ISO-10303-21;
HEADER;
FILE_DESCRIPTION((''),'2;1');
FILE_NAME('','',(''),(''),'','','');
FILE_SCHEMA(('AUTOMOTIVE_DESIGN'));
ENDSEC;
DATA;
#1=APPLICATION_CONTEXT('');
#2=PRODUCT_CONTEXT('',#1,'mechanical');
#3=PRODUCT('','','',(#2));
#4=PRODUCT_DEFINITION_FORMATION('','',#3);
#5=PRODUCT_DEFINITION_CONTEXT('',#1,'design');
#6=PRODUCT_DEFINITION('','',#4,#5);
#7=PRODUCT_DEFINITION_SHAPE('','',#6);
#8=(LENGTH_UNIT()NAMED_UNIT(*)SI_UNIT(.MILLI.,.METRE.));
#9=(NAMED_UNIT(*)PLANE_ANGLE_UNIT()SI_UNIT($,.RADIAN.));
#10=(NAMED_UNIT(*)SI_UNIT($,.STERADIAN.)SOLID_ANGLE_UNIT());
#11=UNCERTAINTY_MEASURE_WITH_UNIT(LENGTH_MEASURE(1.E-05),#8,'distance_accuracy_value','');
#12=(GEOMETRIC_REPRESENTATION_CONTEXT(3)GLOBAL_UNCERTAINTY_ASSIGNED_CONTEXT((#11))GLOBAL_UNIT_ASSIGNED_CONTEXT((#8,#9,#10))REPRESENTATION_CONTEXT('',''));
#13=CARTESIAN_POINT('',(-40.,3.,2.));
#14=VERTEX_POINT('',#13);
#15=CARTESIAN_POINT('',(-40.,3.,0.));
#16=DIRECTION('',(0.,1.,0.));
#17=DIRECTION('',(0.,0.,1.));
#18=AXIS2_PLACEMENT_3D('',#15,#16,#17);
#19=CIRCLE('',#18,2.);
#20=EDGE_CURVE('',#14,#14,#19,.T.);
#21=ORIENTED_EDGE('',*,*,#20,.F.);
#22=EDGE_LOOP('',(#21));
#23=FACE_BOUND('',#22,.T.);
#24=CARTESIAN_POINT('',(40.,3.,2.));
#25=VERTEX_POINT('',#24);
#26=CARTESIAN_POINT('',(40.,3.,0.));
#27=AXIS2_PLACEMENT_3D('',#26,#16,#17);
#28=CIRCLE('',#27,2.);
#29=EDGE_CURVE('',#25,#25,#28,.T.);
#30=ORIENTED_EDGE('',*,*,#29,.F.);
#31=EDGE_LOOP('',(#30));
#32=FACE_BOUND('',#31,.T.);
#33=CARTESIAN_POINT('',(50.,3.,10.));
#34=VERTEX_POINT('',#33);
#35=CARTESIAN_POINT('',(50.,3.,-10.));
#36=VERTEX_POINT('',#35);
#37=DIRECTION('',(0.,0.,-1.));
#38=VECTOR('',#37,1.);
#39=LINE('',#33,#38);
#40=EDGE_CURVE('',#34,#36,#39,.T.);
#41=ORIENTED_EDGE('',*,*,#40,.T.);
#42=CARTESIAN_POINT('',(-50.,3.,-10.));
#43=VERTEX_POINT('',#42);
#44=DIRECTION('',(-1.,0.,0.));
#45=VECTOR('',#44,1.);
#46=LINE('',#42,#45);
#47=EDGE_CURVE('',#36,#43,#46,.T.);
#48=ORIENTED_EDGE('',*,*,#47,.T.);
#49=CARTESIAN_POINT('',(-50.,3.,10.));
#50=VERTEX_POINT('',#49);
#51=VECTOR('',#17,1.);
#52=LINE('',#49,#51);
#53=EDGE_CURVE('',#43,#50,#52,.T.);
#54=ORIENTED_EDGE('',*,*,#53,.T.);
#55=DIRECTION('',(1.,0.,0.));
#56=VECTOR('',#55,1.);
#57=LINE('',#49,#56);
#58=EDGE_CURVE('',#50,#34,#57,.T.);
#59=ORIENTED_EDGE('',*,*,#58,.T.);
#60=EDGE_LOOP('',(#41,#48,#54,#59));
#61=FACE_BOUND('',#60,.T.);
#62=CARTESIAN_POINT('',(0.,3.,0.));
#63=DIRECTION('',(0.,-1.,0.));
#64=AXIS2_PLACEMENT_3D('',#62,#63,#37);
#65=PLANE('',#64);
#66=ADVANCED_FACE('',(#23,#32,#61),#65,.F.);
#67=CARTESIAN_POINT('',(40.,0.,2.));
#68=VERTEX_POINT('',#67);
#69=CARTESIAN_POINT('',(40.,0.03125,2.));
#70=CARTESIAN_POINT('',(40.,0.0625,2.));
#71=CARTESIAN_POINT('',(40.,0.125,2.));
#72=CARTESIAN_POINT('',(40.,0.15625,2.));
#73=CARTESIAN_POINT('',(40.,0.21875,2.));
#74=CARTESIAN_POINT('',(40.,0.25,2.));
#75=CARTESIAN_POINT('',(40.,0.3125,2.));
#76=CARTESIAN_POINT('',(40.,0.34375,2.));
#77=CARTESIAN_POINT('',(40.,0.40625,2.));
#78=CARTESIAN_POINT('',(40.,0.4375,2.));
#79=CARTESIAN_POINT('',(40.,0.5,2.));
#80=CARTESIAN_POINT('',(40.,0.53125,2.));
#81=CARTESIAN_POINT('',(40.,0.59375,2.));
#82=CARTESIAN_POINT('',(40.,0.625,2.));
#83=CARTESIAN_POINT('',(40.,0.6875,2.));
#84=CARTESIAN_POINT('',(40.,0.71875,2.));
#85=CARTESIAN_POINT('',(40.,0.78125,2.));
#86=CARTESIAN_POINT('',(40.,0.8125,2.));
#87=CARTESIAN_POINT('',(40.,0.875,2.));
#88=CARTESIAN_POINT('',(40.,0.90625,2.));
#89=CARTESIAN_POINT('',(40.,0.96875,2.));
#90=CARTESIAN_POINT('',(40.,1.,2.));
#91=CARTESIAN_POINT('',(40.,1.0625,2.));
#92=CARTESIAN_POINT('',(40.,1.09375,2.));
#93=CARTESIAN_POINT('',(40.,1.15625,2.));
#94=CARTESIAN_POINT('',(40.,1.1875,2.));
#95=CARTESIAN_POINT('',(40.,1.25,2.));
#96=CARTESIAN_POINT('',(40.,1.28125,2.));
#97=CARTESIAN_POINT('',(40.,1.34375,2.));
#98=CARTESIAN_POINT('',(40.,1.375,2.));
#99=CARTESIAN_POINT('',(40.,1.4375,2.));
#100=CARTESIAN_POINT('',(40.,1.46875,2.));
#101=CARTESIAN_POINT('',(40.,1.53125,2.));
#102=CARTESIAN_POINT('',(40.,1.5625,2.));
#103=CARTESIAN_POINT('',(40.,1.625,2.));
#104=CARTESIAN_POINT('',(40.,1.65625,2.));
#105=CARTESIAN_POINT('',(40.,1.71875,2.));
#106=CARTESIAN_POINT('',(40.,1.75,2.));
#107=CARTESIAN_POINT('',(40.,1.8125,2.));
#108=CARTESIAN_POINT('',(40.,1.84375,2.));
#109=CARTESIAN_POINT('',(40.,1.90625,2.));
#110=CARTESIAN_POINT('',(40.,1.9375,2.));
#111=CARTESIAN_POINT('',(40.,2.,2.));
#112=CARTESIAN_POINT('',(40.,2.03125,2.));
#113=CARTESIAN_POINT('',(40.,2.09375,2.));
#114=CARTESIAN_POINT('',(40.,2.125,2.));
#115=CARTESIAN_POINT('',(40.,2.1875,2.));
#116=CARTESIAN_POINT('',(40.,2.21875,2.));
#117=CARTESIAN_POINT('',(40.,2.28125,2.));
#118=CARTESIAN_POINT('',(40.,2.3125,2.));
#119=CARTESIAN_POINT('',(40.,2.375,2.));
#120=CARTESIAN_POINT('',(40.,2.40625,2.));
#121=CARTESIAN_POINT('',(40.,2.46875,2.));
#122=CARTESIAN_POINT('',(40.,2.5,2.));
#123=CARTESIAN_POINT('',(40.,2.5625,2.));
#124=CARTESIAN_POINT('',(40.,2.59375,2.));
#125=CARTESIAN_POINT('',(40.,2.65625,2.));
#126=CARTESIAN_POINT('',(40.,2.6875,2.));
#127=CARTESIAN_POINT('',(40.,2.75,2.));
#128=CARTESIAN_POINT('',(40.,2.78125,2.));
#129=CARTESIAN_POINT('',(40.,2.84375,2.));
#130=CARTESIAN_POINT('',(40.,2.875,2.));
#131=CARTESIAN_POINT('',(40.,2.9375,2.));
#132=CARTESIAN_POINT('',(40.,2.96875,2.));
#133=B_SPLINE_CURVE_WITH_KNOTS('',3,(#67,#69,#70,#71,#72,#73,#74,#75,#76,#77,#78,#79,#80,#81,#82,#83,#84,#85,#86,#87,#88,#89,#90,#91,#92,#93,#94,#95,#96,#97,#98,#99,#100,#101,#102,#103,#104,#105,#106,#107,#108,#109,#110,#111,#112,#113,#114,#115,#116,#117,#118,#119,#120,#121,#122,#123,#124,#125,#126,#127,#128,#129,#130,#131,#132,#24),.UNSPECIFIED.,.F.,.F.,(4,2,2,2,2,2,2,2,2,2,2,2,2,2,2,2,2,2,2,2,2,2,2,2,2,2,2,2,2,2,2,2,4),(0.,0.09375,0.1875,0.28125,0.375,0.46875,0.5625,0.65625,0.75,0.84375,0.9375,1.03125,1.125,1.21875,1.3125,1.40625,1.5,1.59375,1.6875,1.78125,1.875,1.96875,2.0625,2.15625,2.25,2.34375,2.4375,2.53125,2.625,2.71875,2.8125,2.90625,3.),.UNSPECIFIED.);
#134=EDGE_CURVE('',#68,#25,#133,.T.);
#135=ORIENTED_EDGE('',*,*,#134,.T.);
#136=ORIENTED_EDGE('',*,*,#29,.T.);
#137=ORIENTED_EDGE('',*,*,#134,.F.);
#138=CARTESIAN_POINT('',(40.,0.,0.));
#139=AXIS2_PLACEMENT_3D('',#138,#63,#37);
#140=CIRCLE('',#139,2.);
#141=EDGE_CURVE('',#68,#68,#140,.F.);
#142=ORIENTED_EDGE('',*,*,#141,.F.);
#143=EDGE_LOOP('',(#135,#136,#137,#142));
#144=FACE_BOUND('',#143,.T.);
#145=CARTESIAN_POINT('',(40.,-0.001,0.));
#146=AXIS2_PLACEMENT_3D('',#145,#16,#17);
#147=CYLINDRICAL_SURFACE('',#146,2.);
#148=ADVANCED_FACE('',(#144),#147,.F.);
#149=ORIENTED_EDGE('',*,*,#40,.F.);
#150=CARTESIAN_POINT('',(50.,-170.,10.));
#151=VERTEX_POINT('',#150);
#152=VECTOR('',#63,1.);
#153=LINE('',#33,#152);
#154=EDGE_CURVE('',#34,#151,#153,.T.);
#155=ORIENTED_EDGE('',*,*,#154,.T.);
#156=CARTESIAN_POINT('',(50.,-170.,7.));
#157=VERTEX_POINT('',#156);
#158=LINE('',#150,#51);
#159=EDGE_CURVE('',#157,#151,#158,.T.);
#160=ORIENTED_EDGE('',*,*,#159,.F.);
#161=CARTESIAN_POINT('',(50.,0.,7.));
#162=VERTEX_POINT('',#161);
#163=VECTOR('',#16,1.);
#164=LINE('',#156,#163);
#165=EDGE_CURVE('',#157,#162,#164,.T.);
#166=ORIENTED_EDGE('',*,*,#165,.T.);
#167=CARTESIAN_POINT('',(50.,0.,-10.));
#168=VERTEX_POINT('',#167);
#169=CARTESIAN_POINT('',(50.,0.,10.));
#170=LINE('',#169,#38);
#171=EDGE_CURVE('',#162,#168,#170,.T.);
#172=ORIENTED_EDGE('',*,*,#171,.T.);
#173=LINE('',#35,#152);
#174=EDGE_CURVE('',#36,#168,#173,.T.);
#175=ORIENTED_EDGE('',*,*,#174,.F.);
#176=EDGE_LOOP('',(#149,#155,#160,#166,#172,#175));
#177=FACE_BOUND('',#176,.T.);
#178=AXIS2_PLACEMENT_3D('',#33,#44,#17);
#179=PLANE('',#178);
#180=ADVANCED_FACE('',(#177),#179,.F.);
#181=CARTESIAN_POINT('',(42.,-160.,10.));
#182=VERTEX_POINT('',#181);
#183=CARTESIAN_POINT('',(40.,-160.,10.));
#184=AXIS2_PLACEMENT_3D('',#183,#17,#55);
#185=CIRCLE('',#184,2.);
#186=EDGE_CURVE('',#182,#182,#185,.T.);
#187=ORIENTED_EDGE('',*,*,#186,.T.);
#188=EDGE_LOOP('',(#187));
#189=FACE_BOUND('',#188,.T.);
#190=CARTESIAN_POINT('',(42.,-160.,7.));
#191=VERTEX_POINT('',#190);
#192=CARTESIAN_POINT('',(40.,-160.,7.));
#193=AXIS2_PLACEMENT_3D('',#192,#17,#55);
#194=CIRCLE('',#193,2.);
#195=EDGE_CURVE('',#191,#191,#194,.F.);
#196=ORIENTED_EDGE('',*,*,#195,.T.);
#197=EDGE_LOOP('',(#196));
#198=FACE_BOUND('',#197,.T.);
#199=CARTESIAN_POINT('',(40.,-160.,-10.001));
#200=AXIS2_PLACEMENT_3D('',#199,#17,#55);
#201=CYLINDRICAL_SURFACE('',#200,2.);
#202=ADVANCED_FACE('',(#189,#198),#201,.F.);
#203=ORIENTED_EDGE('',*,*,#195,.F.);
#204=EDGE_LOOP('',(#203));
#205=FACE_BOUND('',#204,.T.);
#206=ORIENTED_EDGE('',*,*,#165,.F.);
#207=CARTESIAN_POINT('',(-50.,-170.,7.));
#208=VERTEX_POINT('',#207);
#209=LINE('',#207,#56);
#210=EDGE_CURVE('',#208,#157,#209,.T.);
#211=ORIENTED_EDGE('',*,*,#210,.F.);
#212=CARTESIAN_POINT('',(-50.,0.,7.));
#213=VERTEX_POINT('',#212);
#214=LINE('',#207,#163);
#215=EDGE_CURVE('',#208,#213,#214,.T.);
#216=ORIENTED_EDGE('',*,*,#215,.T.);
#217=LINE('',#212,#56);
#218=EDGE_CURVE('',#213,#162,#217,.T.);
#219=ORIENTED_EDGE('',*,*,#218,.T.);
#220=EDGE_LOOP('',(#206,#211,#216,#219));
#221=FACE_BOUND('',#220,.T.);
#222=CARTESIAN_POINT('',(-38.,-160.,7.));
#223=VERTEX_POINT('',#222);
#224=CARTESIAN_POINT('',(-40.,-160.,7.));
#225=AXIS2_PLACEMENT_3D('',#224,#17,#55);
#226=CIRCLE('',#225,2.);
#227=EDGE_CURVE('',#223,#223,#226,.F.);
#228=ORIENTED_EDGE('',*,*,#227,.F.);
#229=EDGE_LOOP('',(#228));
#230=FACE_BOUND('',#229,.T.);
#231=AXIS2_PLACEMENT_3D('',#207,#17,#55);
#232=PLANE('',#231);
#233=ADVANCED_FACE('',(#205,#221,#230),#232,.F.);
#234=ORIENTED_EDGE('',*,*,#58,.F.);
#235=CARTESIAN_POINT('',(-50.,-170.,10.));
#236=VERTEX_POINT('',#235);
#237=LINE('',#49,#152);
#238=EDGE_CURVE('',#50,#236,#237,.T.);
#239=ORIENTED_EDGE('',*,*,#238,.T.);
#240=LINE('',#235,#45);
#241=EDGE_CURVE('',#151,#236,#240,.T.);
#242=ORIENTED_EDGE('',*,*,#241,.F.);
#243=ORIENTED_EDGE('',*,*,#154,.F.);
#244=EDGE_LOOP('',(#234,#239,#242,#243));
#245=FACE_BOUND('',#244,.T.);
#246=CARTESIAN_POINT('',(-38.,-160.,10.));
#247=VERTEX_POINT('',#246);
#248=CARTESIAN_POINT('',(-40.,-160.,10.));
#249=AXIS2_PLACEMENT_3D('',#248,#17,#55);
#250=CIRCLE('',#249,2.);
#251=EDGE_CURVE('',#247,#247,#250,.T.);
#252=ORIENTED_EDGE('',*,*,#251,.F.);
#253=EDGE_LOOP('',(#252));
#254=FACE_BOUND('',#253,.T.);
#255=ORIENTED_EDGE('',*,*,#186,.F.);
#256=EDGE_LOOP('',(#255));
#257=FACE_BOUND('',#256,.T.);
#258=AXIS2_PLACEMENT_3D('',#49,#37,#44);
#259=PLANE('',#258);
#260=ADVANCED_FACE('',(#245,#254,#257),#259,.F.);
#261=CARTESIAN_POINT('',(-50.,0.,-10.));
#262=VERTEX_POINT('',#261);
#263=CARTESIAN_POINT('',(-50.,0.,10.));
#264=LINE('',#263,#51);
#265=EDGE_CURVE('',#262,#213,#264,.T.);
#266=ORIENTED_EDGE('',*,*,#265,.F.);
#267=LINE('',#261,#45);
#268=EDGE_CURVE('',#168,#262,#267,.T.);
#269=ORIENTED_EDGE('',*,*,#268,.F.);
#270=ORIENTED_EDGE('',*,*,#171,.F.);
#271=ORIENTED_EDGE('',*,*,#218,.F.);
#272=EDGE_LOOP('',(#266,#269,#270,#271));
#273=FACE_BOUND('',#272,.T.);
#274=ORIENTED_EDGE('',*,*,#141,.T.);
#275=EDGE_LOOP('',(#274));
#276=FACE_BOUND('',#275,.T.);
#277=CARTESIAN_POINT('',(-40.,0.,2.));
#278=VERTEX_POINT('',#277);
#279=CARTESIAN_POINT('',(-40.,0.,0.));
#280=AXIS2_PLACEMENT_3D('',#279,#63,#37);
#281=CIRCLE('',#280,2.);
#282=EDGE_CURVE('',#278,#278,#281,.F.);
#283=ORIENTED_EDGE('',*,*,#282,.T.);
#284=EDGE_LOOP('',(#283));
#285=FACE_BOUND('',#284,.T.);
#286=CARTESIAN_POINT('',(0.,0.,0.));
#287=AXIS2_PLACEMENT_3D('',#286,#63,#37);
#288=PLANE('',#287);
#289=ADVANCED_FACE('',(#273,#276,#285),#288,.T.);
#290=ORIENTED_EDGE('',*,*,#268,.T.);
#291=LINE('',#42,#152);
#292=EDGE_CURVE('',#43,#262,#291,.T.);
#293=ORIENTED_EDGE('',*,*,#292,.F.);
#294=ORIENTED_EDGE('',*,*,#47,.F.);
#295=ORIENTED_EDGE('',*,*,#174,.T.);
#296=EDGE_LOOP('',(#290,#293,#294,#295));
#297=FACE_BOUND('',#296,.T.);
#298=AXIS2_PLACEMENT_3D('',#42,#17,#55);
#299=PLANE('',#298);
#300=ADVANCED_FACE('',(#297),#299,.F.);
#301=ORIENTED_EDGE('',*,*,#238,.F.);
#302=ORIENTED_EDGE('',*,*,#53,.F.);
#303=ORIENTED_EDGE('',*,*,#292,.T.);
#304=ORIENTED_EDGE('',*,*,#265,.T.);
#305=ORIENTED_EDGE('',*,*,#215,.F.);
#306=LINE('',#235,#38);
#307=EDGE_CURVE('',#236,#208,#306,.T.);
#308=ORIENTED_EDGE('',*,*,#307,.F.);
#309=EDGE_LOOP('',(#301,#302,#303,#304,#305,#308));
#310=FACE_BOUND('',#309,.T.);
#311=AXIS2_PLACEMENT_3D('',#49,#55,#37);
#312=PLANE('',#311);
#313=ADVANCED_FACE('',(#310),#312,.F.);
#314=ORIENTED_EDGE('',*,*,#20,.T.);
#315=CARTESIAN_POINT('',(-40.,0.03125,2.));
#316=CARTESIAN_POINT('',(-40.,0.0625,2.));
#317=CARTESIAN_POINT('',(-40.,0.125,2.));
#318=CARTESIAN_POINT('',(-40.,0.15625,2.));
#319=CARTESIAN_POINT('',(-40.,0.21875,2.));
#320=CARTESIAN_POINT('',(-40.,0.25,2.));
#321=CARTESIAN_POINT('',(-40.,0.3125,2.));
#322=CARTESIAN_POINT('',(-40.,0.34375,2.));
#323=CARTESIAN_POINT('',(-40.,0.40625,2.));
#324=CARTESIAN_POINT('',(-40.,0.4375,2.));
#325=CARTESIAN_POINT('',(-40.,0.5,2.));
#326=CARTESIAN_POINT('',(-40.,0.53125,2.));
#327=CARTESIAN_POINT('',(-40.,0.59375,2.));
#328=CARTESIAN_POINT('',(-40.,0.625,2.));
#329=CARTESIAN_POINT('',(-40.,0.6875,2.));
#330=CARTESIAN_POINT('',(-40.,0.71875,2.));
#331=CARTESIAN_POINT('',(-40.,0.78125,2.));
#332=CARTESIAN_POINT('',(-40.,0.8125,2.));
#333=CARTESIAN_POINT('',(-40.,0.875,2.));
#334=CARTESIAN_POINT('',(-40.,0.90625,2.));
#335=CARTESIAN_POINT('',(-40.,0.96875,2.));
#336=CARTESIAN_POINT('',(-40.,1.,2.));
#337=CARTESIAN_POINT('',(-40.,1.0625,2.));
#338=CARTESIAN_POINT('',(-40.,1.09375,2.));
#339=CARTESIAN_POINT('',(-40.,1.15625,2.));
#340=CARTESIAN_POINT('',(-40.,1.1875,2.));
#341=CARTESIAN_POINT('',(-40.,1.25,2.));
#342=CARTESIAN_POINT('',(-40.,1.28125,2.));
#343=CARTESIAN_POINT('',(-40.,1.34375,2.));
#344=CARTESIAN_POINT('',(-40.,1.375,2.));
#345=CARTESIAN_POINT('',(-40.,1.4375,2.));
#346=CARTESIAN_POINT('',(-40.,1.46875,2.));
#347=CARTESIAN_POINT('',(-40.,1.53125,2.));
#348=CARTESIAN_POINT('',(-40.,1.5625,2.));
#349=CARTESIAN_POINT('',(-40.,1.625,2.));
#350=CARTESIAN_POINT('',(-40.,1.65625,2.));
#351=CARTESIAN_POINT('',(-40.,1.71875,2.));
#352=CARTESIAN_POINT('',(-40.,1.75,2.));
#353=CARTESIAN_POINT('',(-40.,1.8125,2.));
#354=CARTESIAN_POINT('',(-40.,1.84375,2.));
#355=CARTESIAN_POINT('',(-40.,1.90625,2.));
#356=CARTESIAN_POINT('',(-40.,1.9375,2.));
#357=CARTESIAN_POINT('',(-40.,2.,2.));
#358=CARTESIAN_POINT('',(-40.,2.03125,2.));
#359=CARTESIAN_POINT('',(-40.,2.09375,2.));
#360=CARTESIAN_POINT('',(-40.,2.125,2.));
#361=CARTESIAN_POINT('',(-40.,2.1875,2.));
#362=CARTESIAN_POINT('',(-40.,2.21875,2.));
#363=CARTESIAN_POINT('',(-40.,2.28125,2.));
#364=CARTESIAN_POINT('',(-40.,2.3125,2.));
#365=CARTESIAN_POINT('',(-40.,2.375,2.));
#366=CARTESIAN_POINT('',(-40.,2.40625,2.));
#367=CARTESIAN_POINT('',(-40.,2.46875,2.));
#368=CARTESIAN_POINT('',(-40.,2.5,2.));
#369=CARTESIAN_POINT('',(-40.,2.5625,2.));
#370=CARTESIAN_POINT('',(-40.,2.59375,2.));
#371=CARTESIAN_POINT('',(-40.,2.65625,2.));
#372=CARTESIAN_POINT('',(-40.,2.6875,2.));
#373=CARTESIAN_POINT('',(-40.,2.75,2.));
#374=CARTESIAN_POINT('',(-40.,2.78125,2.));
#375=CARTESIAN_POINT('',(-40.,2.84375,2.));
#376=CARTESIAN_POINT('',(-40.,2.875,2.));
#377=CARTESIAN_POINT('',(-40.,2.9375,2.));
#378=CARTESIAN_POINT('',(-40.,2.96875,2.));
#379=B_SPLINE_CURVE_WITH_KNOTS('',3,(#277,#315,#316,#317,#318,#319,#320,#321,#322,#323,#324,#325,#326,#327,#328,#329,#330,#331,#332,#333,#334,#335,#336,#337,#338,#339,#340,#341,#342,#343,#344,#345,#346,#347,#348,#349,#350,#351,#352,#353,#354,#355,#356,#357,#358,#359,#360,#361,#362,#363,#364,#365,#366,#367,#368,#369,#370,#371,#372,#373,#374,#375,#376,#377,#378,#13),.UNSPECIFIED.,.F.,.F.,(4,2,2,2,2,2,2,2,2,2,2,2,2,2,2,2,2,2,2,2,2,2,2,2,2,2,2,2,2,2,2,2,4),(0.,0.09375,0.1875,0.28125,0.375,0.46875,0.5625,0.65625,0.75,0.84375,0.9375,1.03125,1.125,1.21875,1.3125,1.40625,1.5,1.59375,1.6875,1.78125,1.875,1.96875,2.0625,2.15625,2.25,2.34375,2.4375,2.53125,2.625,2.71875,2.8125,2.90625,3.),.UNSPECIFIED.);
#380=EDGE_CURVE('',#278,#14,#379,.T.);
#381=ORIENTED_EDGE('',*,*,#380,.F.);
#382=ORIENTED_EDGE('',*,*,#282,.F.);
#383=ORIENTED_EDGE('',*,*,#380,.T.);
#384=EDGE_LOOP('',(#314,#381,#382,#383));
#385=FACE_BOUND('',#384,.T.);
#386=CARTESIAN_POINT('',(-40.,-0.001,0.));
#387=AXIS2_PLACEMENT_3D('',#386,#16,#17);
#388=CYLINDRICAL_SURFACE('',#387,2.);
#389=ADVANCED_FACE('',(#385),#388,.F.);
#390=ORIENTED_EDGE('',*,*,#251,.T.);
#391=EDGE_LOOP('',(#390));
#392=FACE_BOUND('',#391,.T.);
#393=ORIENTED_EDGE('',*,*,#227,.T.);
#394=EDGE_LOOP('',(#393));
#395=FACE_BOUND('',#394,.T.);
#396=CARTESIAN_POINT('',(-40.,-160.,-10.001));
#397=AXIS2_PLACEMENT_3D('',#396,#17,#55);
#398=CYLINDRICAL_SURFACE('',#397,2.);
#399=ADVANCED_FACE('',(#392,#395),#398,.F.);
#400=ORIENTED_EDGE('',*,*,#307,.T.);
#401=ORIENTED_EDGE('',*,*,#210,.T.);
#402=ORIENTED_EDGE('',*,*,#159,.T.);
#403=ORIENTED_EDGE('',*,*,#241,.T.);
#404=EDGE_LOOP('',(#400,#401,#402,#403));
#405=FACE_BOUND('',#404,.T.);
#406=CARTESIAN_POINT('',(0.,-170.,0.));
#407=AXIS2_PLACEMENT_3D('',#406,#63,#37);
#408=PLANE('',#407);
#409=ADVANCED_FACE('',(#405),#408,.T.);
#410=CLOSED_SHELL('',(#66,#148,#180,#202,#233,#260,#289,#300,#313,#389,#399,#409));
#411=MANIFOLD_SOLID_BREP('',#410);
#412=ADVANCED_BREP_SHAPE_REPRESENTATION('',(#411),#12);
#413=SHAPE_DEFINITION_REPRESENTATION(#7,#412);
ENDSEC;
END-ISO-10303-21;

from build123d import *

# Parameters (mm, degrees)
SKETCH1_W           = 100
SKETCH1_H           = 20
BOSS_EXTRUDE1_DEPTH = 3
CUT_EXTRUDE1_REACH  = 53.078
SKETCH2_R           = 2
SKETCH3_W           = 100
SKETCH3_H           = 3
BOSS_EXTRUDE2_DEPTH = 170
CUT_EXTRUDE2_REACH  = 180.326
SKETCH4_R           = 2


with BuildPart() as part:
    # Sketch1 → Boss-Extrude1 (new body)
    with BuildSketch(Plane(origin=(0, 0, 0), x_dir=(1, 0, 0), z_dir=(0, 1, 0))):
        Rectangle(SKETCH1_W, SKETCH1_H)
    extrude(amount=BOSS_EXTRUDE1_DEPTH)

    # Sketch2 → Cut-Extrude1 (cut, up to next)
    with BuildSketch(Plane(origin=(0, 3, 0), x_dir=(1, 0, 0), z_dir=(0, 1, 0)), mode=Mode.PRIVATE) as cut_extrude1_sk1:
        with Locations(Location((40, 0, 0), (0, 0, 270))):
            Circle(SKETCH2_R)
    cut_extrude1_tool1 = extrude(cut_extrude1_sk1.sketch, amount=-CUT_EXTRUDE1_REACH, mode=Mode.PRIVATE) & part.part
    # Sketch2 → Cut-Extrude1 (cut, up to next)
    with BuildSketch(Plane(origin=(0, 3, 0), x_dir=(1, 0, 0), z_dir=(0, 1, 0)), mode=Mode.PRIVATE) as cut_extrude1_sk2:
        with Locations(Location((-40, 0, 0), (0, 0, 270))):
            Circle(SKETCH2_R)
    cut_extrude1_tool2 = extrude(cut_extrude1_sk2.sketch, amount=-CUT_EXTRUDE1_REACH, mode=Mode.PRIVATE) & part.part
    add(cut_extrude1_tool1.solids().sort_by_distance((40, 3, 0))[0], mode=Mode.SUBTRACT)
    add(cut_extrude1_tool2.solids().sort_by_distance((-40, 3, 0))[0], mode=Mode.SUBTRACT)

    # Sketch3 → Boss-Extrude2 (add)
    with BuildSketch(Plane.XZ):
        with Locations((0, 8.5)):
            Rectangle(SKETCH3_W, SKETCH3_H)
    extrude(amount=BOSS_EXTRUDE2_DEPTH)

    # Sketch4 → Cut-Extrude2 (cut, up to next)
    with BuildSketch(Plane.XY.offset(10), mode=Mode.PRIVATE) as cut_extrude2_sk1:
        with Locations((-40, -160)):
            Circle(SKETCH4_R)
    cut_extrude2_tool1 = extrude(cut_extrude2_sk1.sketch, amount=-CUT_EXTRUDE2_REACH, mode=Mode.PRIVATE) & part.part
    # Sketch4 → Cut-Extrude2 (cut, up to next)
    with BuildSketch(Plane.XY.offset(10), mode=Mode.PRIVATE) as cut_extrude2_sk2:
        with Locations((40, -160)):
            Circle(SKETCH4_R)
    cut_extrude2_tool2 = extrude(cut_extrude2_sk2.sketch, amount=-CUT_EXTRUDE2_REACH, mode=Mode.PRIVATE) & part.part
    add(cut_extrude2_tool1.solids().sort_by_distance((-40, -160, 10))[0], mode=Mode.SUBTRACT)
    add(cut_extrude2_tool2.solids().sort_by_distance((40, -160, 10))[0], mode=Mode.SUBTRACT)


solid = part.part
